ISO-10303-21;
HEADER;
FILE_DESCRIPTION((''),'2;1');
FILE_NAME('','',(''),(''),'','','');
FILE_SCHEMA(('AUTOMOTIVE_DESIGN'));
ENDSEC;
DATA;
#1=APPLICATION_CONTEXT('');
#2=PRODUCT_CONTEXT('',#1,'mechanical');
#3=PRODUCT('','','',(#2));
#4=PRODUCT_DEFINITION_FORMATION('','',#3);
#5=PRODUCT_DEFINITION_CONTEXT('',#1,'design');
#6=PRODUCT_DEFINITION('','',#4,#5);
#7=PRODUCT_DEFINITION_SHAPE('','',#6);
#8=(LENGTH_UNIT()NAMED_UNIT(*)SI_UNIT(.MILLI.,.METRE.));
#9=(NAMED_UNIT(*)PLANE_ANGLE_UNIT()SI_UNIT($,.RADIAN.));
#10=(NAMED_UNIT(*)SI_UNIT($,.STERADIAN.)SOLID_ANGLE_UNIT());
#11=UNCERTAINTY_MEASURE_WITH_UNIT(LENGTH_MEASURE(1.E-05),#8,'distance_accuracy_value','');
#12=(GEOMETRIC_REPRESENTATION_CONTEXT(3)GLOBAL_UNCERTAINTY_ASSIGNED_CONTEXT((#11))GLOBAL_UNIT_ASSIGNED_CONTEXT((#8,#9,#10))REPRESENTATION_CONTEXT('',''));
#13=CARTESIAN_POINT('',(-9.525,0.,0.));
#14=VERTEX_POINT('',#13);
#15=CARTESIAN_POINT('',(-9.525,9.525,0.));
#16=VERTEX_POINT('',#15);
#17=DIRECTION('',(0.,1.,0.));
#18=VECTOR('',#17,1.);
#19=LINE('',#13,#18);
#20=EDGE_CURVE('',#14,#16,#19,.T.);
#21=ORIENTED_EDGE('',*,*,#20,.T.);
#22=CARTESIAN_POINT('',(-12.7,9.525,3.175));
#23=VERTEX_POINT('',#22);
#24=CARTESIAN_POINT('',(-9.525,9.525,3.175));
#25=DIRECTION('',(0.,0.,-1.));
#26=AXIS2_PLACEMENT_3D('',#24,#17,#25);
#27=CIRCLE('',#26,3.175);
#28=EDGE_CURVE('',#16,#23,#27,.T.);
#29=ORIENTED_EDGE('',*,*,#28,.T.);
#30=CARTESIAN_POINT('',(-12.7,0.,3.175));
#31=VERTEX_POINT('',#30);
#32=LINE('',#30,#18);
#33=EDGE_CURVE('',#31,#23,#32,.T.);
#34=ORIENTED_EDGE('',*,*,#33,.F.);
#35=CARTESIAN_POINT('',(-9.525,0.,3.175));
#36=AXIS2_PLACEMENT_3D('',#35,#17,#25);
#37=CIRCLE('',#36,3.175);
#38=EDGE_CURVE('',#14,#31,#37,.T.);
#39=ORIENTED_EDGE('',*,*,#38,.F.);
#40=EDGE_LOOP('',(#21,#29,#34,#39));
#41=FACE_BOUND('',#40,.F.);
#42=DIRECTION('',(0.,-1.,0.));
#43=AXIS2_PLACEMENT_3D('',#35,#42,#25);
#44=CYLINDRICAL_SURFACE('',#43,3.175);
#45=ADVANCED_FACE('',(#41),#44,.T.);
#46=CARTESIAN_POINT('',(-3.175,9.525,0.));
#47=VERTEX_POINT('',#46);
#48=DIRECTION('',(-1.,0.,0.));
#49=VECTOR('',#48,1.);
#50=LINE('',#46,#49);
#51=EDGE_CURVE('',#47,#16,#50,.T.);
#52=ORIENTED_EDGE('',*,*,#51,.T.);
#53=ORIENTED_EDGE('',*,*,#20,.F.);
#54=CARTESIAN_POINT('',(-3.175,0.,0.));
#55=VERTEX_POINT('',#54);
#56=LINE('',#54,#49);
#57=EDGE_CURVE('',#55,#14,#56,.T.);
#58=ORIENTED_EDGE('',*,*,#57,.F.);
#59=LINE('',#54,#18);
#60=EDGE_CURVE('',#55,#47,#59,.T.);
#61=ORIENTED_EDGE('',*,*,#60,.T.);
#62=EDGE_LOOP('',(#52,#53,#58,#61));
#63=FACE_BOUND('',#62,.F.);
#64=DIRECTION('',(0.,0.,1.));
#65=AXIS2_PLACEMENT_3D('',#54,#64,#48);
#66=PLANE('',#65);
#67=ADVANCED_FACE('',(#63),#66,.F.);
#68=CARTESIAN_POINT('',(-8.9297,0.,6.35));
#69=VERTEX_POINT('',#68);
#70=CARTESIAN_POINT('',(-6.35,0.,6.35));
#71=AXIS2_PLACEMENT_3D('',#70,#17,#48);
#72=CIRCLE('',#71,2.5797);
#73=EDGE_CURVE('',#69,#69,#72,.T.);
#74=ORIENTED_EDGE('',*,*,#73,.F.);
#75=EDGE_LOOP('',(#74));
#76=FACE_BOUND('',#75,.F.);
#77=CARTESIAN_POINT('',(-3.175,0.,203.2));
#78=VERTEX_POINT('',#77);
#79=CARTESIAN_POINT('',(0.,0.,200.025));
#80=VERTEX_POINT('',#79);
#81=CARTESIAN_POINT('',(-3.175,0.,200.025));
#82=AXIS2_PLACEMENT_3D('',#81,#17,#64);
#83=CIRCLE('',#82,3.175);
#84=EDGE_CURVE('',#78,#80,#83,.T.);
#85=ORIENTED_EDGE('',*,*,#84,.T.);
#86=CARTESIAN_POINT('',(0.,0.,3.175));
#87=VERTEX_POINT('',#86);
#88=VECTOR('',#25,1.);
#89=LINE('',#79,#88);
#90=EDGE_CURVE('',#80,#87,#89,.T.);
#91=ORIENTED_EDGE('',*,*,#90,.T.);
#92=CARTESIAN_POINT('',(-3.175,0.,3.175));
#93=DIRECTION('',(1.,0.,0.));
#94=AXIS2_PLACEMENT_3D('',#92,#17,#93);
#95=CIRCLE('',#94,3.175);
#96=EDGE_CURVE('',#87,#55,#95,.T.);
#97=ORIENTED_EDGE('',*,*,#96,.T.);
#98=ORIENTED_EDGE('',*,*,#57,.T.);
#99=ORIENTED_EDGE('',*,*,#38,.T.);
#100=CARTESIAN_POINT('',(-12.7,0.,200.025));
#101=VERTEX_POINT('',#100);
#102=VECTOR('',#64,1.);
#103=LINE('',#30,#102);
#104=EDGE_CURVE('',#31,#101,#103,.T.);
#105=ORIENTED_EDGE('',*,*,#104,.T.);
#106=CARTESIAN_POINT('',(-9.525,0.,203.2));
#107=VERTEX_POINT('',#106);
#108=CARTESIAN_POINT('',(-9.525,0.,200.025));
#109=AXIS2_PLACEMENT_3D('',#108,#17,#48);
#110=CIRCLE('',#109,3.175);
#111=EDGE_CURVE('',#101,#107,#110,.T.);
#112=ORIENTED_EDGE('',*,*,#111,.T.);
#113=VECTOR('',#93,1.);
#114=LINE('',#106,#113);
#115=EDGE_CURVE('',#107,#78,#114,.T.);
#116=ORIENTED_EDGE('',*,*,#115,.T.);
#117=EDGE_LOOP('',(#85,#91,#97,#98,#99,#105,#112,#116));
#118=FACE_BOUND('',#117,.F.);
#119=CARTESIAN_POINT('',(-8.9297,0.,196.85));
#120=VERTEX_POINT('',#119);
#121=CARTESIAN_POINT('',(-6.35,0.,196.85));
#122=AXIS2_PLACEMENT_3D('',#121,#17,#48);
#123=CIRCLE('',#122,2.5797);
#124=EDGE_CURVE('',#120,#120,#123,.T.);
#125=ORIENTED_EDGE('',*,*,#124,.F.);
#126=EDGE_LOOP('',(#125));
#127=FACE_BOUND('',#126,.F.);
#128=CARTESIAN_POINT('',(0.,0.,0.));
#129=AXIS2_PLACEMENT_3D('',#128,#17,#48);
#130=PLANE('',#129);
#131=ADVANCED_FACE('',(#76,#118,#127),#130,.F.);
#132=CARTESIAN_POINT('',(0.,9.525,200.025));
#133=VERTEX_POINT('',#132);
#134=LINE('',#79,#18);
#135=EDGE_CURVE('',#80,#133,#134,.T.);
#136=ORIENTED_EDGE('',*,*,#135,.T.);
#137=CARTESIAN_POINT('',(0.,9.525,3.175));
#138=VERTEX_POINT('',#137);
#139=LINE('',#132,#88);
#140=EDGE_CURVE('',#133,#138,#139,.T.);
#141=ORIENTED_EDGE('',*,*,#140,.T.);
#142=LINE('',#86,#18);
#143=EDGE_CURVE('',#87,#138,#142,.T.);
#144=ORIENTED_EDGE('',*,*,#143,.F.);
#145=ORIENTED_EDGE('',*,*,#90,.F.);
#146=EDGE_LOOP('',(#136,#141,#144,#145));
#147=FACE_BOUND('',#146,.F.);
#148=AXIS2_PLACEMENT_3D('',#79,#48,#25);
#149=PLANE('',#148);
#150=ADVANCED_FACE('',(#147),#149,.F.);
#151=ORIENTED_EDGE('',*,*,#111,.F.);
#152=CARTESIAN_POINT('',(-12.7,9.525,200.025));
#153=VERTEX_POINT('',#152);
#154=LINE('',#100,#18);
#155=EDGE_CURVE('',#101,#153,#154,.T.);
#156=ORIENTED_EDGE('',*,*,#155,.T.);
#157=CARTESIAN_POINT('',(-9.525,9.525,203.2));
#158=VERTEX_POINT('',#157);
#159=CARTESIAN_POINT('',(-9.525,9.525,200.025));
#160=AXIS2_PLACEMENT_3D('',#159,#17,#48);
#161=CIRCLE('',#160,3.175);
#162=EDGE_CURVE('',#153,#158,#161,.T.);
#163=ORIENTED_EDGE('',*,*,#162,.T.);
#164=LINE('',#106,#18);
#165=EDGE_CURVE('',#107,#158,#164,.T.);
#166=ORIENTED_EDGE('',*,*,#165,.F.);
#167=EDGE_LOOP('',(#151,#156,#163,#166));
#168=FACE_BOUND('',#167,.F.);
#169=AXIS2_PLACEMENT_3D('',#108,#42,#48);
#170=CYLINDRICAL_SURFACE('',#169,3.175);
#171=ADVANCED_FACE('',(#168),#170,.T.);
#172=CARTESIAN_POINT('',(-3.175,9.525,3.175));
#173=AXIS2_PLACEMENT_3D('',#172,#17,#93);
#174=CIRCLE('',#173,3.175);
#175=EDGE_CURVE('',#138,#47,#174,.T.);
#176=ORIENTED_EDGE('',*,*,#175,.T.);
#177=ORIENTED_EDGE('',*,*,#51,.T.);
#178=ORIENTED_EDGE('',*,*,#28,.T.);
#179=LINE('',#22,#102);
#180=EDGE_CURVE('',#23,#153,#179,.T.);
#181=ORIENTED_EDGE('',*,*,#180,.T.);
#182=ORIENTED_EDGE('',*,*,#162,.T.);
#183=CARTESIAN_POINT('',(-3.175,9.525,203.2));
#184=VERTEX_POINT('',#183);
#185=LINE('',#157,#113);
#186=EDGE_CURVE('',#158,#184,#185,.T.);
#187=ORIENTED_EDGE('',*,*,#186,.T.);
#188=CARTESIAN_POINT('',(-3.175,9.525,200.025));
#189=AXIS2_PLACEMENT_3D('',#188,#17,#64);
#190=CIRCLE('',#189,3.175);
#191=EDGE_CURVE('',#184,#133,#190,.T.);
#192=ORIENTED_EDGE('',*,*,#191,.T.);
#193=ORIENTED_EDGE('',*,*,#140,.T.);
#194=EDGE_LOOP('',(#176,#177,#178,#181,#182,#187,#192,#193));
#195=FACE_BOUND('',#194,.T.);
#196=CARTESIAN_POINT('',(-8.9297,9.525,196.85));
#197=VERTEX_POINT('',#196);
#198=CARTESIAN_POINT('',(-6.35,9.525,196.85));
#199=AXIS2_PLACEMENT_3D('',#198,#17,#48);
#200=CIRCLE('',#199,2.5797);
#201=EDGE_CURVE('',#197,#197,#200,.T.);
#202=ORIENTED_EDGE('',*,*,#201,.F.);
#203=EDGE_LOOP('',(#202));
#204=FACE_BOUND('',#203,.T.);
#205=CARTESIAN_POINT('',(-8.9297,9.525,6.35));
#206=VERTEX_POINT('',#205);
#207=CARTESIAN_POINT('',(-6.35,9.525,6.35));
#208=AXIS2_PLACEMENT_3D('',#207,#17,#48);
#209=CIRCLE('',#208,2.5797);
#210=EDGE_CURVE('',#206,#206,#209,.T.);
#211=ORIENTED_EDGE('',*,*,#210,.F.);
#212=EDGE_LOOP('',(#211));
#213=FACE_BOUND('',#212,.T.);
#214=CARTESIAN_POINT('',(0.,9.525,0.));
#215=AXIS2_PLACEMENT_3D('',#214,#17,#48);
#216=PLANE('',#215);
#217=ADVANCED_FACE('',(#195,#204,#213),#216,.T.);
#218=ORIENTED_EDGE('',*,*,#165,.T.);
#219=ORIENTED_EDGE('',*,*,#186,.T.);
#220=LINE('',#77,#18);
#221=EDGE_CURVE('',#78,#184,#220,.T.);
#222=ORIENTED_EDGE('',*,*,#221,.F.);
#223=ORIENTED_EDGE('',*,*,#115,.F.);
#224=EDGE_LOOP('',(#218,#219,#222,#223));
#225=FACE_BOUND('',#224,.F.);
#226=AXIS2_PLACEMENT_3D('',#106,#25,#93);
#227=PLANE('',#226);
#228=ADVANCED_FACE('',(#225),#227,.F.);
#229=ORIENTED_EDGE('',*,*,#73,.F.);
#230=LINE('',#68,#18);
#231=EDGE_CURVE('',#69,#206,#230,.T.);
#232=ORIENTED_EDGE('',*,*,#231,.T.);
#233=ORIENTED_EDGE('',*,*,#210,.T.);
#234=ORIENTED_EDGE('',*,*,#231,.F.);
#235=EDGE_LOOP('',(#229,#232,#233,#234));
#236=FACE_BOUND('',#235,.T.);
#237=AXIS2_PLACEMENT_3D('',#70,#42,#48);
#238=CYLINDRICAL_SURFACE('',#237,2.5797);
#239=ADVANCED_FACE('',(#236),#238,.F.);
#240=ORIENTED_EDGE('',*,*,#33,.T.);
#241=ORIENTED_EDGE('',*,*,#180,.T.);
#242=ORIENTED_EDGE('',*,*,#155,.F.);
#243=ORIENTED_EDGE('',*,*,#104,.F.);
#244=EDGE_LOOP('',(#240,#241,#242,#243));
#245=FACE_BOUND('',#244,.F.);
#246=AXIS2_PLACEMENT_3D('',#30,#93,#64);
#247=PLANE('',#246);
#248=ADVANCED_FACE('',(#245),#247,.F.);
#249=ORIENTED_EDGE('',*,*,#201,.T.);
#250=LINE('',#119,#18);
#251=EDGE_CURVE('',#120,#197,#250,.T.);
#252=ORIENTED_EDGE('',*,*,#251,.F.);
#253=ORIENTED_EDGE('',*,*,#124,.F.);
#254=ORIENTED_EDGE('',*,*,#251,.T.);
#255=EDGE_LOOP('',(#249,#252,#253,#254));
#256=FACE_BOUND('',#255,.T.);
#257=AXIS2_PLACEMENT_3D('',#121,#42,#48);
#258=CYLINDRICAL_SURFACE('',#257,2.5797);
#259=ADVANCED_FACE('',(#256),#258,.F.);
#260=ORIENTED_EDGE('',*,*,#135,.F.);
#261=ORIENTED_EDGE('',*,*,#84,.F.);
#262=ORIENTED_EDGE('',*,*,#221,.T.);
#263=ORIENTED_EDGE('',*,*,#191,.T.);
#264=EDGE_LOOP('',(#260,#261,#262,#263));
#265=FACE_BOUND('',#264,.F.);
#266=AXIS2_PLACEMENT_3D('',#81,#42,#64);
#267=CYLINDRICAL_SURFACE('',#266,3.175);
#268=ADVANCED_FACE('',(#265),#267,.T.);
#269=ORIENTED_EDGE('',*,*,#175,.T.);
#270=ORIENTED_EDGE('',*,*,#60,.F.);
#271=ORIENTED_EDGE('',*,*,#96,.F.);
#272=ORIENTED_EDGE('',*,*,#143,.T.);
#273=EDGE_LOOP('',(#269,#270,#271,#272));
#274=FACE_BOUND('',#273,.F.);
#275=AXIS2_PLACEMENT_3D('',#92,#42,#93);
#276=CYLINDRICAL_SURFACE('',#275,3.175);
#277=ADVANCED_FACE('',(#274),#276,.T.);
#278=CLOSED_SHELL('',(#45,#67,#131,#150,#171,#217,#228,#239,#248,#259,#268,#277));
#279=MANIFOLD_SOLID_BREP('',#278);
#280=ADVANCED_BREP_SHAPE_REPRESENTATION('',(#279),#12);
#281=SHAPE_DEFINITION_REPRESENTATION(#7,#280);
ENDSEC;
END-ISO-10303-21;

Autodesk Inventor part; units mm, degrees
ref_plane "YZ Plane" through (0, 0, 0) normal (1, 0, 0) x (0, 1, 0)
ref_plane "XZ Plane" through (0, 0, 0) normal (0, 1, 0) x (-1, 0, 0)
ref_plane "XY Plane" through (0, 0, 0) normal (0, 0, 1) x (1, 0, 0)
sketch "Sketch1" plane through (0, 0, 0) normal (0, 1, 0) x (-1, 0, 0)
  line L0 (3.175, 0) -> (9.525, 0)
  line L1 (12.7, 3.175) -> (12.7, 200.025)
  line L2 (9.525, 203.2) -> (3.175, 203.2)
  line L3 (0, 200.025) -> (0, 3.175)
  circle A0 centre (6.35, 196.85) radius 2.5797
  circle A1 centre (6.35, 6.35) radius 2.5797
  arc A2 (12.7, 200.025) -> (9.525, 203.2) centre (9.525, 200.025) ccw
  arc A3 (3.175, 203.2) -> (0, 200.025) centre (3.175, 200.025) ccw
  arc A4 (0, 3.175) -> (3.175, 0) centre (3.175, 3.175) ccw
  arc A5 (9.525, 0) -> (12.7, 3.175) centre (9.525, 3.175) ccw
  point P0 (0, 0)
  point P1 (12.7, 203.2)
  point P2 (0, 203.2)
  dimension "d0" = 12.7
  dimension "d1" = 5.1594
  dimension "d2" = 6.35
  dimension "d3" = 6.35
  dimension "d4" = 6.35
  dimension "d5" = 6.35
  dimension "d6" = 203.2
  dimension "d7" = 3.175
extrude "Extrusion1" add sketch "Sketch1" along normal blind 9.525
equation "\"d2\" = 0.5 * d0"
equation "\"d3\" = d2"
equation "\"d4\" = d2"
equation "\"d5\" = d3"
properties part number "Inner swing"
